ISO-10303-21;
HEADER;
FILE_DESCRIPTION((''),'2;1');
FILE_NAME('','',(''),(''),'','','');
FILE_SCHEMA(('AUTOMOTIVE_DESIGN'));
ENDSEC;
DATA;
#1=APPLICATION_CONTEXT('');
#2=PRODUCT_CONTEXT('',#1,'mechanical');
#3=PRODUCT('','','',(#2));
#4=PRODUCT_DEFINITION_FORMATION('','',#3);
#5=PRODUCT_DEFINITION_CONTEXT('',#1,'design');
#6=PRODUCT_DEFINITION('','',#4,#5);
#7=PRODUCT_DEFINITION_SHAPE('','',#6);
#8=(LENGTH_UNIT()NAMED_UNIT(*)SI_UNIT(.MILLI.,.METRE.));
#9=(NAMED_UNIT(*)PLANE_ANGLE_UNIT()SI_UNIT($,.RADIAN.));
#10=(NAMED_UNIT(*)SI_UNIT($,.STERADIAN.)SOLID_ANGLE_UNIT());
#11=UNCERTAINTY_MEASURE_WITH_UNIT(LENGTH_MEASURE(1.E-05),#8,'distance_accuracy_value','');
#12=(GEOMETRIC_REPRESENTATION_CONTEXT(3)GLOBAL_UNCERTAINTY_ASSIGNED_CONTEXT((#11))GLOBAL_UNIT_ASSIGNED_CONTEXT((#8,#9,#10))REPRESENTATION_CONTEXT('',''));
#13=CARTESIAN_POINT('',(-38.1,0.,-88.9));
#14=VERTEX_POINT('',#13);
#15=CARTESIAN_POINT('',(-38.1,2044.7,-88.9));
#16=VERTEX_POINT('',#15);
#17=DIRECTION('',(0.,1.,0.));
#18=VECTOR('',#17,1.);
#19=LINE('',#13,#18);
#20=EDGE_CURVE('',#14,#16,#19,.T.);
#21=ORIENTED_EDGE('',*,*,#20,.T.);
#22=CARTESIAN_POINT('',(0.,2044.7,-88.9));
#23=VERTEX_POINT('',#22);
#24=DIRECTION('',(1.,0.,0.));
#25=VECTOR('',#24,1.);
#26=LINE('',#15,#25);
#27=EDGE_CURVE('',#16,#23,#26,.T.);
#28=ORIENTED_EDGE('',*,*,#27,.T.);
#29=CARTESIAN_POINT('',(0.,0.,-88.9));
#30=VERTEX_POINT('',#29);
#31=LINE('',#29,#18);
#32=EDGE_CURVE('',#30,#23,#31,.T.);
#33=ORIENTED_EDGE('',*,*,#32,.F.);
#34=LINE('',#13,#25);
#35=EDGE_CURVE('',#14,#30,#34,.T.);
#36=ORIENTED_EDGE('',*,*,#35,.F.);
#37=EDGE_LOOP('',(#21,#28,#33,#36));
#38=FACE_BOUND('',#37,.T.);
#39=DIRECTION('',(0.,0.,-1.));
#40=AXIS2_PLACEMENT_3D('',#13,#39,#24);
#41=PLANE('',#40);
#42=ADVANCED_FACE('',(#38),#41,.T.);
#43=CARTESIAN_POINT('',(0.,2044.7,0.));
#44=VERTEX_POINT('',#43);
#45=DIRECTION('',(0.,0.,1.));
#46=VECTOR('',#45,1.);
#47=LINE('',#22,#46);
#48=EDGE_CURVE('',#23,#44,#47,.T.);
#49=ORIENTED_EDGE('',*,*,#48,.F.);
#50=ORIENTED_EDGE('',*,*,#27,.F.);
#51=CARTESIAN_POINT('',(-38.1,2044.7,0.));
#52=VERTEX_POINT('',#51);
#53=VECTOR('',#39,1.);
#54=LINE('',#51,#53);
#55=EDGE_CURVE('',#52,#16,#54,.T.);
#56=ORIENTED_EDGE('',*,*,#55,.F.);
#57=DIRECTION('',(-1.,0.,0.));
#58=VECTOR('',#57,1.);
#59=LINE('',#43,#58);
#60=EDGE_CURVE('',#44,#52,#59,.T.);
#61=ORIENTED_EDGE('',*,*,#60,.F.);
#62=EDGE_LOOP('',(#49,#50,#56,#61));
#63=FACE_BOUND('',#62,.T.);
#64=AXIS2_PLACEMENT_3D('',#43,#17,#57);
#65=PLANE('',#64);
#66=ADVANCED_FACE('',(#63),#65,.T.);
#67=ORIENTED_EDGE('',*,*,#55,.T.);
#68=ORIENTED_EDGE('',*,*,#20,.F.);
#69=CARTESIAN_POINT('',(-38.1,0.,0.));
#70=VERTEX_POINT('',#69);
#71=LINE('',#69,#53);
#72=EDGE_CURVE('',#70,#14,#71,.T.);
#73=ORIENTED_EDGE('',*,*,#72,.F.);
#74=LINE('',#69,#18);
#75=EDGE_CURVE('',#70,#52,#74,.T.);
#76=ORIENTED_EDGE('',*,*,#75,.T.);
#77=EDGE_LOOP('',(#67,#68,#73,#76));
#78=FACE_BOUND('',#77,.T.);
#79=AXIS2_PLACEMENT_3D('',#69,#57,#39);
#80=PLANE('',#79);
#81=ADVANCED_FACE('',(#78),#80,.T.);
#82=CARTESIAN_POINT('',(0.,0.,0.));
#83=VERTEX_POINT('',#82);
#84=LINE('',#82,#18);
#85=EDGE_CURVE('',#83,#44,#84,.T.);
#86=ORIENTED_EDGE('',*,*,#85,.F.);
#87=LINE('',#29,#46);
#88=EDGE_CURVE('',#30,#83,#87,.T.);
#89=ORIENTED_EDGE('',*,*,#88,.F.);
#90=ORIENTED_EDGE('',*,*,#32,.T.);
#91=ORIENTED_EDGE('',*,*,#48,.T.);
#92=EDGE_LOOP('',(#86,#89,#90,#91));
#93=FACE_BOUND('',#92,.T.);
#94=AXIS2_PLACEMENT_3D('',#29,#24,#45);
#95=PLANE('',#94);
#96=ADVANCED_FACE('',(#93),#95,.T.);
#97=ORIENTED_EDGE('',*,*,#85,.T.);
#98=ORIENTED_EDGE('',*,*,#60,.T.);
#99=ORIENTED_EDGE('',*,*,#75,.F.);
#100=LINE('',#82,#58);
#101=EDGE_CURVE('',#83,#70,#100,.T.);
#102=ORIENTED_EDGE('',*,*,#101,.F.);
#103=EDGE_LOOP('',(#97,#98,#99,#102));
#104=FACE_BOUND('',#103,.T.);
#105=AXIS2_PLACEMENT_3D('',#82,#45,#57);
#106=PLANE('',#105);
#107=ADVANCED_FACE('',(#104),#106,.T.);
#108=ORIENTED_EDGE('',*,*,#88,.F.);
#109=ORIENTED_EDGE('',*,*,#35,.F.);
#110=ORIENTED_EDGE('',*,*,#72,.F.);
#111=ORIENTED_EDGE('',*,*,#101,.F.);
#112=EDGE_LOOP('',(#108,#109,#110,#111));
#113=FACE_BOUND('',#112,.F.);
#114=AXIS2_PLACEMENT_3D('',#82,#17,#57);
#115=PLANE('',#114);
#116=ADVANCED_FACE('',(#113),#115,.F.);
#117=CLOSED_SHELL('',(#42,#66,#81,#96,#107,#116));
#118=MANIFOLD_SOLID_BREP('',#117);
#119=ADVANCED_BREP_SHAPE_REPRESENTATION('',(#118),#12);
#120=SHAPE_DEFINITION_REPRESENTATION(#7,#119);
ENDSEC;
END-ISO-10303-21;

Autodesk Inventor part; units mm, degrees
ref_plane "YZ Plane" through (0, 0, 0) normal (1, 0, 0) x (0, 1, 0)
ref_plane "XZ Plane" through (0, 0, 0) normal (0, 1, 0) x (-1, 0, 0)
ref_plane "XY Plane" through (0, 0, 0) normal (0, 0, 1) x (1, 0, 0)
sketch "Sketch1" plane through (0, 0, 0) normal (0, 1, 0) x (-1, 0, 0)
  line L0 (0, 0) -> (38.1, 0)
  line L1 (38.1, 0) -> (38.1, -88.9)
  line L2 (38.1, -88.9) -> (0, -88.9)
  line L3 (0, -88.9) -> (0, 0)
  dimension "d0" = 88.9
  dimension "d1" = 38.1
extrude "Extrusion1" add sketch "Sketch1" along normal blind 2044.7
properties part number "Stud_With_Height_80.75_Inches" material "Wood (Birch)"
